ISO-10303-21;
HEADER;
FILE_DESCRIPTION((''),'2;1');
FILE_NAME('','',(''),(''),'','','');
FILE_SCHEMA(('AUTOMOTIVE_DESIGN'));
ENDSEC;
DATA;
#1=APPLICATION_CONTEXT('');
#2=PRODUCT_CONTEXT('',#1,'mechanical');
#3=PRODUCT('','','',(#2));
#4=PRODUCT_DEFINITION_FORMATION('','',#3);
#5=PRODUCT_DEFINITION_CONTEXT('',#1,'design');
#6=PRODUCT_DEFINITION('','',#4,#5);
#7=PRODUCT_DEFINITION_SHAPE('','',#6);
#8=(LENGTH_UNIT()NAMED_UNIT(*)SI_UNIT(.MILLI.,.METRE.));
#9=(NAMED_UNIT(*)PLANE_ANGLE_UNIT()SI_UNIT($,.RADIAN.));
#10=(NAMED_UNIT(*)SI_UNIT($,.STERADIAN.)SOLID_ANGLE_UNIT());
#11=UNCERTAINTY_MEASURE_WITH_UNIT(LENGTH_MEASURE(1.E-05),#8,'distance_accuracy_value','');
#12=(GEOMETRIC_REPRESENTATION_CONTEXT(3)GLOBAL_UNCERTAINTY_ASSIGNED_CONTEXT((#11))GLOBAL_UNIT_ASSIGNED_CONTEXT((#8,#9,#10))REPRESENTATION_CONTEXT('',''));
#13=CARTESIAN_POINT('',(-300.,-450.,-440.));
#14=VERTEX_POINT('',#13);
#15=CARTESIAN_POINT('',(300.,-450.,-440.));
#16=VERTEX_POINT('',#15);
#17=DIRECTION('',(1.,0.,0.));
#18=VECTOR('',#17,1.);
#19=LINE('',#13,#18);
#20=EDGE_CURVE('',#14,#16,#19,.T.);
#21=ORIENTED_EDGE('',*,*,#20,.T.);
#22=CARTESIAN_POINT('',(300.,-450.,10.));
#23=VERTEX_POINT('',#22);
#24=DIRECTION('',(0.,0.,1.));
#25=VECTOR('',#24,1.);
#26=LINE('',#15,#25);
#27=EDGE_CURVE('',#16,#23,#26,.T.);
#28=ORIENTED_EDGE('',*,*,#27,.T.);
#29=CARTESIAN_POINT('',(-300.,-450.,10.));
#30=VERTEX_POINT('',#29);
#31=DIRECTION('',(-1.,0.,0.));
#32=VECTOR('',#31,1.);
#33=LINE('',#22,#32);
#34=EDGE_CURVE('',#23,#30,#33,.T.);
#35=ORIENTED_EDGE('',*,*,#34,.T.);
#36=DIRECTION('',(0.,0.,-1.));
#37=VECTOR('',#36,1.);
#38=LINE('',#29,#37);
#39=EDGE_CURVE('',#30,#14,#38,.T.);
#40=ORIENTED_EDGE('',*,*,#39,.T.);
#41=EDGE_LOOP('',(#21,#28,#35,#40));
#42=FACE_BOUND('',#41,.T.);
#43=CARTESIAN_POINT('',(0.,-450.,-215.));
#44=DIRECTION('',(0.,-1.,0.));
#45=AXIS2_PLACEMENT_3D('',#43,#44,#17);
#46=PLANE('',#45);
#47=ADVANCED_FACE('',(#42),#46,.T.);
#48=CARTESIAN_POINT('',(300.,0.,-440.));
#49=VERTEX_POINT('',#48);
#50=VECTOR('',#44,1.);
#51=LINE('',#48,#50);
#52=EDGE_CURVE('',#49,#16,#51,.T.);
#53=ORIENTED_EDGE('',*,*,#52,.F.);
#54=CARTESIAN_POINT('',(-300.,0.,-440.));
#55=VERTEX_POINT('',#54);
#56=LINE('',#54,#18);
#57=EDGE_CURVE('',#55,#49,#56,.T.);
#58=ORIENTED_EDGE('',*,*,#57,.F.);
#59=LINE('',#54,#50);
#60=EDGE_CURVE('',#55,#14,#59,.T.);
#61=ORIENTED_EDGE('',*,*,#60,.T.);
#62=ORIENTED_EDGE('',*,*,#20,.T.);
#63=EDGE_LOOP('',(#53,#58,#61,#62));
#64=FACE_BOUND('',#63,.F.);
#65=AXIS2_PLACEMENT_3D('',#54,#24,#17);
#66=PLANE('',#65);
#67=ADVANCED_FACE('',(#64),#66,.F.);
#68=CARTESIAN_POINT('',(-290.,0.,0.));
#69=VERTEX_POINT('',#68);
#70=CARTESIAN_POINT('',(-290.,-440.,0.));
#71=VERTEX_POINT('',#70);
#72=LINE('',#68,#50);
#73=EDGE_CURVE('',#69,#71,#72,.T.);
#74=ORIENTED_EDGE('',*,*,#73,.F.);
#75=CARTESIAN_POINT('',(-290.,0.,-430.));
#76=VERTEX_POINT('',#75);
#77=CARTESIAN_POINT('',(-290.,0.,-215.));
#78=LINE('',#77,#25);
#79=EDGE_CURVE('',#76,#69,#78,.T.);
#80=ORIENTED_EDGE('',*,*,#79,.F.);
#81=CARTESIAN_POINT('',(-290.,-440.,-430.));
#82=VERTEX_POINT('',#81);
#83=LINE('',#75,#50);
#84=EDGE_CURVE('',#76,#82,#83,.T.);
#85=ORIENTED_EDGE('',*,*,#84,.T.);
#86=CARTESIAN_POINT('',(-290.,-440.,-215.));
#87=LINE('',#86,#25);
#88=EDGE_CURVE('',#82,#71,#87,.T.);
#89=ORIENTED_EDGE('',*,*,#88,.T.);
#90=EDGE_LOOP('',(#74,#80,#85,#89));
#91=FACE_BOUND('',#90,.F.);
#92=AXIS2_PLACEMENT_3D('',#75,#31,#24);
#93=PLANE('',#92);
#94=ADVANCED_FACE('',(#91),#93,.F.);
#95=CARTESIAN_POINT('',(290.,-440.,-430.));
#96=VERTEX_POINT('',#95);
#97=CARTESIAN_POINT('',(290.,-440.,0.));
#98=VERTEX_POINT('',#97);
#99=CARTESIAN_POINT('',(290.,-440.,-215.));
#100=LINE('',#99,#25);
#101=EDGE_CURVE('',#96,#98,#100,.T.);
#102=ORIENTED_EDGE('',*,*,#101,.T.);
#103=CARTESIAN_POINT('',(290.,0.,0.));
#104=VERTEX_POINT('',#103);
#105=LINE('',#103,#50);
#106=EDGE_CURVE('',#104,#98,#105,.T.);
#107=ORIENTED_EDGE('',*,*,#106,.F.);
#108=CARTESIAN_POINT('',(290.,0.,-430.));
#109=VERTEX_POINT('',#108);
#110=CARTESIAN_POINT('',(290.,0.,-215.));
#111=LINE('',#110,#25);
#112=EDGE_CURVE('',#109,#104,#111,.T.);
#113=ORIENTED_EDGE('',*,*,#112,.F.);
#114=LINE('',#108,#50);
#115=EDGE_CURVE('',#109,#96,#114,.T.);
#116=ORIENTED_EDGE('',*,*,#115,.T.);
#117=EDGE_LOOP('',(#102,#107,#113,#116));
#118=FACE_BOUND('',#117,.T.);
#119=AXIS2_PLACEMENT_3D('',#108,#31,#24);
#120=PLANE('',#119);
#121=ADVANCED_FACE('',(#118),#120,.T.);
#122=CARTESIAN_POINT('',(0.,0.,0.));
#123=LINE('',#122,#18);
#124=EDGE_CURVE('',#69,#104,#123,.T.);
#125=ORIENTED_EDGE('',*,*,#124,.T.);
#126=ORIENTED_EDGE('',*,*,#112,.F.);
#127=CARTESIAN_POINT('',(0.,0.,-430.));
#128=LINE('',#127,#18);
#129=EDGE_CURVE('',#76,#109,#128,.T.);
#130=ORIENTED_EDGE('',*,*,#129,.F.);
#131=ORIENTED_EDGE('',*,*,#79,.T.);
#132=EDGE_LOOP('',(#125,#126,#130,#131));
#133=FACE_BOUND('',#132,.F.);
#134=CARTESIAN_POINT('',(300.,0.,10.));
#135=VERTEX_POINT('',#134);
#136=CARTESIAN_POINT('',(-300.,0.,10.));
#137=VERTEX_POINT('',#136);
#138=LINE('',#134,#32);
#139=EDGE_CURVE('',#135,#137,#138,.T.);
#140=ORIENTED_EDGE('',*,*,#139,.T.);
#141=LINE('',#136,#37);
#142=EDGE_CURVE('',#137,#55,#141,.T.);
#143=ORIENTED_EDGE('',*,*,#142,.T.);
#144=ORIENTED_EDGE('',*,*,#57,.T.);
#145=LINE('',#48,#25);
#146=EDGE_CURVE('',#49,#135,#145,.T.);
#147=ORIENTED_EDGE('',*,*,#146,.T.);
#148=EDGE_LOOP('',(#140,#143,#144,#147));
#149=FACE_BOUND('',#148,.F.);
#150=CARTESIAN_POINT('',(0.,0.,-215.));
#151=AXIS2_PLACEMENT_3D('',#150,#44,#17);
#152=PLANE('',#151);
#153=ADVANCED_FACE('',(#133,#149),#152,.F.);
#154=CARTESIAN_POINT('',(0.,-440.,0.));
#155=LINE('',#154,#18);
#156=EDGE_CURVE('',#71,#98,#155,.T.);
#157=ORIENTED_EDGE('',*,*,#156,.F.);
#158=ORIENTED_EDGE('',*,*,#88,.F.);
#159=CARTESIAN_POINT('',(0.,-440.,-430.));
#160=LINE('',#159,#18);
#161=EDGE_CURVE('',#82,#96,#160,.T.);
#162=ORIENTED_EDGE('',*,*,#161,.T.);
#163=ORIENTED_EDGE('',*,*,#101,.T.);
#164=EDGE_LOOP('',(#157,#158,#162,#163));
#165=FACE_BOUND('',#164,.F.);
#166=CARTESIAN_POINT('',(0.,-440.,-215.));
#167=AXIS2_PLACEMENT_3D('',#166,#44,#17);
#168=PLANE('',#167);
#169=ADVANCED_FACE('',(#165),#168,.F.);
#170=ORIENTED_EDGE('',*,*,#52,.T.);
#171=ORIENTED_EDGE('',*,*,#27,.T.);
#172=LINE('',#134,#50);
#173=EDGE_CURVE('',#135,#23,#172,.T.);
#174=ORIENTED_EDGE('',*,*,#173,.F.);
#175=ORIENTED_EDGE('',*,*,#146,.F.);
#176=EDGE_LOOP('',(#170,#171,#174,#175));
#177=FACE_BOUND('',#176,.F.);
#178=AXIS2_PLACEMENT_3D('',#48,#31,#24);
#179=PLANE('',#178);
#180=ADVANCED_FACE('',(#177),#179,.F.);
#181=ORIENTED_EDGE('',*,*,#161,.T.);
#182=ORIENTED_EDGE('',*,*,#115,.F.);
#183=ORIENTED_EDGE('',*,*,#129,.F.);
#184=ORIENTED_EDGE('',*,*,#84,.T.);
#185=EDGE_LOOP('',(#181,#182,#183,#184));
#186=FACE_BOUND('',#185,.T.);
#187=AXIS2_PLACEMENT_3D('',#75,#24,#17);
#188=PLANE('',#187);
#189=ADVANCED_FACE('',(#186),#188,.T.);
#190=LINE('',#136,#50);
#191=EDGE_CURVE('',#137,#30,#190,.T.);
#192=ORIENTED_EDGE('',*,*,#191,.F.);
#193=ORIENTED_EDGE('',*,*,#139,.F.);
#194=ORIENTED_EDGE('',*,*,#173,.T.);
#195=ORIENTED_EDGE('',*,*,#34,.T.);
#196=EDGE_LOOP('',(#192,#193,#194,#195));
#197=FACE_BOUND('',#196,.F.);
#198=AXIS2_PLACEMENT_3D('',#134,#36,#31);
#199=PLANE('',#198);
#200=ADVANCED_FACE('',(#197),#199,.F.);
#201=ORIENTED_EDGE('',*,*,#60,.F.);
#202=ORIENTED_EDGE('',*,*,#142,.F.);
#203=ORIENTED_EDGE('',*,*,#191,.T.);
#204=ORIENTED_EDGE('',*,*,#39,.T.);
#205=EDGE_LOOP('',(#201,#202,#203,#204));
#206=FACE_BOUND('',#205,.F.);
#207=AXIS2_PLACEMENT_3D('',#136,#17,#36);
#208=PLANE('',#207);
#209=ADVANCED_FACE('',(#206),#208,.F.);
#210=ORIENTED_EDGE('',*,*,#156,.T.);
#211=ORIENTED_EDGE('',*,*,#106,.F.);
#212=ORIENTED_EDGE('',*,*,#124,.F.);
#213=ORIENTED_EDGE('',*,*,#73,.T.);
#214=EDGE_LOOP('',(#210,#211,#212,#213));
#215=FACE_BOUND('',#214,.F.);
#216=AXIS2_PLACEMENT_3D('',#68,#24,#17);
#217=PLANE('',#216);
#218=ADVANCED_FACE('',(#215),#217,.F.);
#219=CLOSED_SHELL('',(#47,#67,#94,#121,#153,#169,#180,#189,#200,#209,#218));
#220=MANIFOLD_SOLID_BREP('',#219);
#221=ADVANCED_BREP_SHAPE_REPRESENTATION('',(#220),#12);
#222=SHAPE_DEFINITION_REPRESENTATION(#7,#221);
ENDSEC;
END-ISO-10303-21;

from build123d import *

# Parameters (mm, degrees)
F2_DEPTH = 450
F1_W     = 580
F1_H     = 430
F3_DEPTH = 440


with BuildPart() as f2:
    # F0 (on Front) → F2 (new body)
    with BuildSketch(Plane.XZ):
        Polygon((0, 10), (-300, 10), (-300, -440), (300, -440), (300, 10), align=None)
    extrude(amount=F2_DEPTH)

    # F1 (on Front) → F3 (cut)
    with BuildSketch(Plane.XZ):
        with Locations((0, -215)):
            Rectangle(F1_W, F1_H)
    extrude(amount=F3_DEPTH, mode=Mode.SUBTRACT)


solid = f2.part
